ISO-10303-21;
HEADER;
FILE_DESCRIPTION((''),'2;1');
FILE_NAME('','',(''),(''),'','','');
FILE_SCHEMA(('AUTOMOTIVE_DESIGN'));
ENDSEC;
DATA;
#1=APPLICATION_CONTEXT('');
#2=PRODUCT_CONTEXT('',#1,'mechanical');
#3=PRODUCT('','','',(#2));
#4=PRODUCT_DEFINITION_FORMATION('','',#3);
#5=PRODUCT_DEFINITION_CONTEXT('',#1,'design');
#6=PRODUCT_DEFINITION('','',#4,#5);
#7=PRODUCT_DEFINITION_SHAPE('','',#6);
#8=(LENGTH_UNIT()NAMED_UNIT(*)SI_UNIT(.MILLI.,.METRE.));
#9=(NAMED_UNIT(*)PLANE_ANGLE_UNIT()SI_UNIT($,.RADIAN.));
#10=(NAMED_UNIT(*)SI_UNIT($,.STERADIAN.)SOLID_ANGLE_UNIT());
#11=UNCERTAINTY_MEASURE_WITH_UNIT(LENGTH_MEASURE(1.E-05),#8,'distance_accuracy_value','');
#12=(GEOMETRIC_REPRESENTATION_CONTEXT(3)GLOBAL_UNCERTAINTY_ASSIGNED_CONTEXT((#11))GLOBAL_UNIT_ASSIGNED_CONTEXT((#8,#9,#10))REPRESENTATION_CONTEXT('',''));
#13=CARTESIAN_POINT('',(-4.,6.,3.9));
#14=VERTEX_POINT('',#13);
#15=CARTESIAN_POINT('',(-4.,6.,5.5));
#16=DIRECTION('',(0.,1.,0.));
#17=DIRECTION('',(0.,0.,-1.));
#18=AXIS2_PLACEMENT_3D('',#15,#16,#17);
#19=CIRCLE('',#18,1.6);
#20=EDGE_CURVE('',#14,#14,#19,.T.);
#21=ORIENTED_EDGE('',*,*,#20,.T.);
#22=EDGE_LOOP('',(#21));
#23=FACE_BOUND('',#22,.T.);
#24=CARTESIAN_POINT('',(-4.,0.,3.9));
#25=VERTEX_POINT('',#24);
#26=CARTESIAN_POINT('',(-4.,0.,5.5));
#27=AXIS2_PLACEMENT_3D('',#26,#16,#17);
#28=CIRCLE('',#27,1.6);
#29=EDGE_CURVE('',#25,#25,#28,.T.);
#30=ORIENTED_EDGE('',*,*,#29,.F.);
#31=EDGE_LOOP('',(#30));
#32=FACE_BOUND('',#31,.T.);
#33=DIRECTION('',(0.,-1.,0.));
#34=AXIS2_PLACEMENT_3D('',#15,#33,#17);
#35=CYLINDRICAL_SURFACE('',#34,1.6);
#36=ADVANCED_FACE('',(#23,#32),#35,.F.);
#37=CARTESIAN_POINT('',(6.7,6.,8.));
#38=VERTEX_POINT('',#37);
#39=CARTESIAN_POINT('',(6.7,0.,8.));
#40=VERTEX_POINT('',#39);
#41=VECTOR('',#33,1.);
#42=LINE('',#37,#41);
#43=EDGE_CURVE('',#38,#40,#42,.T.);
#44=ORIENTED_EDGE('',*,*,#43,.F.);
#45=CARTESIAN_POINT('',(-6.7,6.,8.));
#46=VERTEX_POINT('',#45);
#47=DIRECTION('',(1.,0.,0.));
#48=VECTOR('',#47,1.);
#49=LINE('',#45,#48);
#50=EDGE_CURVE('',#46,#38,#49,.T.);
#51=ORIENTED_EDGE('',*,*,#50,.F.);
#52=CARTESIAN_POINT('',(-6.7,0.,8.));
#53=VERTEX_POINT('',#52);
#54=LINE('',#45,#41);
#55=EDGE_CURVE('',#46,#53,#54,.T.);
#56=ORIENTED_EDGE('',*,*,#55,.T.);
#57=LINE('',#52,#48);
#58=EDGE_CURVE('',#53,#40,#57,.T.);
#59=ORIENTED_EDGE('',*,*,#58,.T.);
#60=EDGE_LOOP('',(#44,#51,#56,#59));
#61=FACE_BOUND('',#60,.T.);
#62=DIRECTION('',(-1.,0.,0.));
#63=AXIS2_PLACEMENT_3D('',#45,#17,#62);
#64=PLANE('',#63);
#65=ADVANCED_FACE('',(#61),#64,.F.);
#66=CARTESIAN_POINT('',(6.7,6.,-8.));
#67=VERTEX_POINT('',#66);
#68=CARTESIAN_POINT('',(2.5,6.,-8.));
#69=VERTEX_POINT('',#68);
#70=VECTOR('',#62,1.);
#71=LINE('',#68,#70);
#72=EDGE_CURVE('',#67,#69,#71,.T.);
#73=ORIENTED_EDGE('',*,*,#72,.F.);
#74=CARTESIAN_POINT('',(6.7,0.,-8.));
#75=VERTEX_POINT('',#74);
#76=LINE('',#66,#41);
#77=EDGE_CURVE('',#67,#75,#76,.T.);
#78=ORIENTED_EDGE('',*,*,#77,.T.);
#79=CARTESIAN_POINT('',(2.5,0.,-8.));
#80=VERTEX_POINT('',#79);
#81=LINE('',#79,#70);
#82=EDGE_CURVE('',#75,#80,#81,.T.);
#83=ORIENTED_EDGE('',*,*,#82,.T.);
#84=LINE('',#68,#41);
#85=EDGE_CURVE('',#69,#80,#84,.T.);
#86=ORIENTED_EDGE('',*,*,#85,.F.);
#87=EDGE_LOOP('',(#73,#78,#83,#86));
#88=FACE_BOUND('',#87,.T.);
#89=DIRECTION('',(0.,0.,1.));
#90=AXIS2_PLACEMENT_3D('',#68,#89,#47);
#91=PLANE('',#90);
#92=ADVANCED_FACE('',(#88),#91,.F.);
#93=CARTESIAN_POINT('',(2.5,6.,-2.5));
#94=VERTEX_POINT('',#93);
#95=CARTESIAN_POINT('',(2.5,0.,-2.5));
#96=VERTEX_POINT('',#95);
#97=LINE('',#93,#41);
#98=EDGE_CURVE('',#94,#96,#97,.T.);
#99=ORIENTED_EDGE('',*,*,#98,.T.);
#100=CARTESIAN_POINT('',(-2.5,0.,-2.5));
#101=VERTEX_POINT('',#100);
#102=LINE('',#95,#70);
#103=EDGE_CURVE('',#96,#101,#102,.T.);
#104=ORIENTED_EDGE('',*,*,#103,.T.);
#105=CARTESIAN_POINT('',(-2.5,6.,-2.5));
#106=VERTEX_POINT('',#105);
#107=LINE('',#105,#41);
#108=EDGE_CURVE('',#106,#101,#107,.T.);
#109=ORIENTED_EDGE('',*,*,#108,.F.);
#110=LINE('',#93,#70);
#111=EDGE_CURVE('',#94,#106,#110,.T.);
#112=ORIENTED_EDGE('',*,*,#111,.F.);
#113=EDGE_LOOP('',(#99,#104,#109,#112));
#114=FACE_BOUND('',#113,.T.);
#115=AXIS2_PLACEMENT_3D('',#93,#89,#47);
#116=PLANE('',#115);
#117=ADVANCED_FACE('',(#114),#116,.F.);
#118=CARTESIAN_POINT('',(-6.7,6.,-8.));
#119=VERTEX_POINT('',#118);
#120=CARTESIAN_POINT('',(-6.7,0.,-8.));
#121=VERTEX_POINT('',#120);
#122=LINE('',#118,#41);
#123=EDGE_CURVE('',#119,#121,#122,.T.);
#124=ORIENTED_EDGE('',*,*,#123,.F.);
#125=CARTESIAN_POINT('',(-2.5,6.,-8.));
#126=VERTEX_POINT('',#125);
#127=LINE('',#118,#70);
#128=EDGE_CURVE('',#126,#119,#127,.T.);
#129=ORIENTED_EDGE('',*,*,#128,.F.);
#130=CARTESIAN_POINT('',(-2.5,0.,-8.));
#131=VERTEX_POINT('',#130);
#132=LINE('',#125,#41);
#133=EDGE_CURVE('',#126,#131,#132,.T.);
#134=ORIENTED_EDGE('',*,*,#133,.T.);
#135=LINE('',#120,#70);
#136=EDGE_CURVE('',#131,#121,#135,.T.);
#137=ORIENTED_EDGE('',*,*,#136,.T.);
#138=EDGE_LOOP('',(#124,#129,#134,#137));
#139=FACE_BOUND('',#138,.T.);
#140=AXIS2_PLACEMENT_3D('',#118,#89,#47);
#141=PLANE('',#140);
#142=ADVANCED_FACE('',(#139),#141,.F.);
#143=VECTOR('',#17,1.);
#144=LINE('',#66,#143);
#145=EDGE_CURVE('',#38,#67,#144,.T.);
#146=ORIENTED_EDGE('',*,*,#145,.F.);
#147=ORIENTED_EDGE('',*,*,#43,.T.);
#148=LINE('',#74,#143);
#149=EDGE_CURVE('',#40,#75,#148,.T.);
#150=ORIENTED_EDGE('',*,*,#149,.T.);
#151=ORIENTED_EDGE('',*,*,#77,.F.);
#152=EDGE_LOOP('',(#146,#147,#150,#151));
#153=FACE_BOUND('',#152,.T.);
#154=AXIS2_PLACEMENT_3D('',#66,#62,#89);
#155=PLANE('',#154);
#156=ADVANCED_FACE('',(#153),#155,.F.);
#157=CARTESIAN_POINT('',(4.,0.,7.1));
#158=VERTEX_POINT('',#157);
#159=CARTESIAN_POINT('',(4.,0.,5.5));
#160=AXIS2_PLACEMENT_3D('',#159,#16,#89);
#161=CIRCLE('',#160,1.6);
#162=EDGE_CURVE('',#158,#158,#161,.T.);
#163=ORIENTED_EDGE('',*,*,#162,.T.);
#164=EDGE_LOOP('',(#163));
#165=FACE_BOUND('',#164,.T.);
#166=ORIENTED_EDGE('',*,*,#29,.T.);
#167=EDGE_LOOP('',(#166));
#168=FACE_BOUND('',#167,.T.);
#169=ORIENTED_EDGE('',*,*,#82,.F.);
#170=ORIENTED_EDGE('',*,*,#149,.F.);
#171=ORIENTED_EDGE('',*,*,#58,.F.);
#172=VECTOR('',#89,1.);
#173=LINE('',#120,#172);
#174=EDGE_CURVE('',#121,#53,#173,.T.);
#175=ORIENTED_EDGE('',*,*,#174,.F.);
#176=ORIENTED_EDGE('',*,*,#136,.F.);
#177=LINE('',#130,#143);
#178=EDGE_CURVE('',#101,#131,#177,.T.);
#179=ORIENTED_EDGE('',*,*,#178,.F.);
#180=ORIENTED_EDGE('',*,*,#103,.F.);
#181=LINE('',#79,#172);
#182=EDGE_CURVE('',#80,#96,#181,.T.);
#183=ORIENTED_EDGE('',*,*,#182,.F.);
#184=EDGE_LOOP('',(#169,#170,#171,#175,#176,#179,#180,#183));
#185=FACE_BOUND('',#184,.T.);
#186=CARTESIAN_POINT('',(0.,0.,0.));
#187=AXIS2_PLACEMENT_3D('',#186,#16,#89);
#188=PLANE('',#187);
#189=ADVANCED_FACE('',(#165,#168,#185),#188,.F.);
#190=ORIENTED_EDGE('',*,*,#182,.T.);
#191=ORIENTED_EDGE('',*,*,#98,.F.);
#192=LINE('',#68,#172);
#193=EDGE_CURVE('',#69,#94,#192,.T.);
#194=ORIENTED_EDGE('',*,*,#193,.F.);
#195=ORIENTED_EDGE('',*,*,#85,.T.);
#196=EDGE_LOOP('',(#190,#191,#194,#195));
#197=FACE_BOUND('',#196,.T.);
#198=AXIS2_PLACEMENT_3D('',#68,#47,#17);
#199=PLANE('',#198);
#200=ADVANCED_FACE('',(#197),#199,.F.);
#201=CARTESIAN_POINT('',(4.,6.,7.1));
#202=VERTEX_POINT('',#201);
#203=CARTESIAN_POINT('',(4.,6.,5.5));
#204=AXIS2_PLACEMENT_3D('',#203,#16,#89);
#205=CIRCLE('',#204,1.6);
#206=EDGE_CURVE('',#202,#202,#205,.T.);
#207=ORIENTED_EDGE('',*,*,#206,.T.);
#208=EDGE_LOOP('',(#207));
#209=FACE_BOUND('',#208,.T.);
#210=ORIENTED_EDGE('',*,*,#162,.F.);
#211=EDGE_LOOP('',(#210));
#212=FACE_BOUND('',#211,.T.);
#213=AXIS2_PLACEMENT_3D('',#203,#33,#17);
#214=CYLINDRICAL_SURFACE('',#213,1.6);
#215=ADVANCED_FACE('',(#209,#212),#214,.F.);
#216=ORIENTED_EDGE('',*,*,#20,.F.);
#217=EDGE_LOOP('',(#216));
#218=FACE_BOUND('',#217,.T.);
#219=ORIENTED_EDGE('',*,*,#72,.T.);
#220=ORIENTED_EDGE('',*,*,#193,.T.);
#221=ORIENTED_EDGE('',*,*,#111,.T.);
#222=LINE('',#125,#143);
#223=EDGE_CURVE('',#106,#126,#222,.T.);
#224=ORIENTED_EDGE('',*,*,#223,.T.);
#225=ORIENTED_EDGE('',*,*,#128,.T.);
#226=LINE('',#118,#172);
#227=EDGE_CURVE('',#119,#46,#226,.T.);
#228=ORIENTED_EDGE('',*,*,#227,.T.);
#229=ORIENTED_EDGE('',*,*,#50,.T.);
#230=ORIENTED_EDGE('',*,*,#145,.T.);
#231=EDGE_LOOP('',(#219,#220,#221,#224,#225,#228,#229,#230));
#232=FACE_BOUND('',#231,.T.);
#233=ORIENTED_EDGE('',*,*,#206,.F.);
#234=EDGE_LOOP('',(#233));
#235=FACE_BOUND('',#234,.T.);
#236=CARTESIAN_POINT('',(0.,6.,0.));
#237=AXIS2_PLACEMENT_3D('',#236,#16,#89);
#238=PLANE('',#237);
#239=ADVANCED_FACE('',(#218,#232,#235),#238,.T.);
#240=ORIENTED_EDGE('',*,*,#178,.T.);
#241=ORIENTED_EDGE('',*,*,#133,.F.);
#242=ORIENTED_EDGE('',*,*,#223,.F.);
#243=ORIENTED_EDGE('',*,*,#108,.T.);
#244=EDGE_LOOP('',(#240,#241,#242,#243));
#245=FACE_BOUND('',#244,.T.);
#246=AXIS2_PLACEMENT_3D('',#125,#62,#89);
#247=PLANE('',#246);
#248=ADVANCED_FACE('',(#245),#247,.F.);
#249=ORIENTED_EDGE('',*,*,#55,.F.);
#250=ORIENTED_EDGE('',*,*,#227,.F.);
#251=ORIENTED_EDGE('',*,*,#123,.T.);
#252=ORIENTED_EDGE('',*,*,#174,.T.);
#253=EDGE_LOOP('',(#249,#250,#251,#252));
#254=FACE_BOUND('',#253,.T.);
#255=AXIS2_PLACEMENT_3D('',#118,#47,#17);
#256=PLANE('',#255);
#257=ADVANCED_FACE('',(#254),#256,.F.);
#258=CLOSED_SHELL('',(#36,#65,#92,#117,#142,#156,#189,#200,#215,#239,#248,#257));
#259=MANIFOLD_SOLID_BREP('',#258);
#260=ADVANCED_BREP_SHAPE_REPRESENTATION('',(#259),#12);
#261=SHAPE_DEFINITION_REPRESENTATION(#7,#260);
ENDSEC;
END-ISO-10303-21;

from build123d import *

# Parameters (mm, degrees)
SKETCH_1_R      = 1.6
EXTRUDE_1_DEPTH = 6


with BuildPart() as part:
    # 草图1 → 凸台-拉伸1 (new body)
    with BuildSketch(Plane(origin=(0, 0, 0), x_dir=(1, 0, 0), z_dir=(0, 1, 0))):
        Polygon((-6.7, 8), (-2.5, 8), (-2.5, 2.5), (2.5, 2.5), (2.5, 8), (6.7, 8), (6.7, -8), (-6.7, -8), align=None)
        with Locations(Location((4, -5.5, 0), (0, 0, 270))):
            Circle(SKETCH_1_R, mode=Mode.SUBTRACT)
        with Locations(Location((-4, -5.5, 0), (0, 0, 90))):
            Circle(SKETCH_1_R, mode=Mode.SUBTRACT)
    extrude(amount=EXTRUDE_1_DEPTH)


solid = part.part
